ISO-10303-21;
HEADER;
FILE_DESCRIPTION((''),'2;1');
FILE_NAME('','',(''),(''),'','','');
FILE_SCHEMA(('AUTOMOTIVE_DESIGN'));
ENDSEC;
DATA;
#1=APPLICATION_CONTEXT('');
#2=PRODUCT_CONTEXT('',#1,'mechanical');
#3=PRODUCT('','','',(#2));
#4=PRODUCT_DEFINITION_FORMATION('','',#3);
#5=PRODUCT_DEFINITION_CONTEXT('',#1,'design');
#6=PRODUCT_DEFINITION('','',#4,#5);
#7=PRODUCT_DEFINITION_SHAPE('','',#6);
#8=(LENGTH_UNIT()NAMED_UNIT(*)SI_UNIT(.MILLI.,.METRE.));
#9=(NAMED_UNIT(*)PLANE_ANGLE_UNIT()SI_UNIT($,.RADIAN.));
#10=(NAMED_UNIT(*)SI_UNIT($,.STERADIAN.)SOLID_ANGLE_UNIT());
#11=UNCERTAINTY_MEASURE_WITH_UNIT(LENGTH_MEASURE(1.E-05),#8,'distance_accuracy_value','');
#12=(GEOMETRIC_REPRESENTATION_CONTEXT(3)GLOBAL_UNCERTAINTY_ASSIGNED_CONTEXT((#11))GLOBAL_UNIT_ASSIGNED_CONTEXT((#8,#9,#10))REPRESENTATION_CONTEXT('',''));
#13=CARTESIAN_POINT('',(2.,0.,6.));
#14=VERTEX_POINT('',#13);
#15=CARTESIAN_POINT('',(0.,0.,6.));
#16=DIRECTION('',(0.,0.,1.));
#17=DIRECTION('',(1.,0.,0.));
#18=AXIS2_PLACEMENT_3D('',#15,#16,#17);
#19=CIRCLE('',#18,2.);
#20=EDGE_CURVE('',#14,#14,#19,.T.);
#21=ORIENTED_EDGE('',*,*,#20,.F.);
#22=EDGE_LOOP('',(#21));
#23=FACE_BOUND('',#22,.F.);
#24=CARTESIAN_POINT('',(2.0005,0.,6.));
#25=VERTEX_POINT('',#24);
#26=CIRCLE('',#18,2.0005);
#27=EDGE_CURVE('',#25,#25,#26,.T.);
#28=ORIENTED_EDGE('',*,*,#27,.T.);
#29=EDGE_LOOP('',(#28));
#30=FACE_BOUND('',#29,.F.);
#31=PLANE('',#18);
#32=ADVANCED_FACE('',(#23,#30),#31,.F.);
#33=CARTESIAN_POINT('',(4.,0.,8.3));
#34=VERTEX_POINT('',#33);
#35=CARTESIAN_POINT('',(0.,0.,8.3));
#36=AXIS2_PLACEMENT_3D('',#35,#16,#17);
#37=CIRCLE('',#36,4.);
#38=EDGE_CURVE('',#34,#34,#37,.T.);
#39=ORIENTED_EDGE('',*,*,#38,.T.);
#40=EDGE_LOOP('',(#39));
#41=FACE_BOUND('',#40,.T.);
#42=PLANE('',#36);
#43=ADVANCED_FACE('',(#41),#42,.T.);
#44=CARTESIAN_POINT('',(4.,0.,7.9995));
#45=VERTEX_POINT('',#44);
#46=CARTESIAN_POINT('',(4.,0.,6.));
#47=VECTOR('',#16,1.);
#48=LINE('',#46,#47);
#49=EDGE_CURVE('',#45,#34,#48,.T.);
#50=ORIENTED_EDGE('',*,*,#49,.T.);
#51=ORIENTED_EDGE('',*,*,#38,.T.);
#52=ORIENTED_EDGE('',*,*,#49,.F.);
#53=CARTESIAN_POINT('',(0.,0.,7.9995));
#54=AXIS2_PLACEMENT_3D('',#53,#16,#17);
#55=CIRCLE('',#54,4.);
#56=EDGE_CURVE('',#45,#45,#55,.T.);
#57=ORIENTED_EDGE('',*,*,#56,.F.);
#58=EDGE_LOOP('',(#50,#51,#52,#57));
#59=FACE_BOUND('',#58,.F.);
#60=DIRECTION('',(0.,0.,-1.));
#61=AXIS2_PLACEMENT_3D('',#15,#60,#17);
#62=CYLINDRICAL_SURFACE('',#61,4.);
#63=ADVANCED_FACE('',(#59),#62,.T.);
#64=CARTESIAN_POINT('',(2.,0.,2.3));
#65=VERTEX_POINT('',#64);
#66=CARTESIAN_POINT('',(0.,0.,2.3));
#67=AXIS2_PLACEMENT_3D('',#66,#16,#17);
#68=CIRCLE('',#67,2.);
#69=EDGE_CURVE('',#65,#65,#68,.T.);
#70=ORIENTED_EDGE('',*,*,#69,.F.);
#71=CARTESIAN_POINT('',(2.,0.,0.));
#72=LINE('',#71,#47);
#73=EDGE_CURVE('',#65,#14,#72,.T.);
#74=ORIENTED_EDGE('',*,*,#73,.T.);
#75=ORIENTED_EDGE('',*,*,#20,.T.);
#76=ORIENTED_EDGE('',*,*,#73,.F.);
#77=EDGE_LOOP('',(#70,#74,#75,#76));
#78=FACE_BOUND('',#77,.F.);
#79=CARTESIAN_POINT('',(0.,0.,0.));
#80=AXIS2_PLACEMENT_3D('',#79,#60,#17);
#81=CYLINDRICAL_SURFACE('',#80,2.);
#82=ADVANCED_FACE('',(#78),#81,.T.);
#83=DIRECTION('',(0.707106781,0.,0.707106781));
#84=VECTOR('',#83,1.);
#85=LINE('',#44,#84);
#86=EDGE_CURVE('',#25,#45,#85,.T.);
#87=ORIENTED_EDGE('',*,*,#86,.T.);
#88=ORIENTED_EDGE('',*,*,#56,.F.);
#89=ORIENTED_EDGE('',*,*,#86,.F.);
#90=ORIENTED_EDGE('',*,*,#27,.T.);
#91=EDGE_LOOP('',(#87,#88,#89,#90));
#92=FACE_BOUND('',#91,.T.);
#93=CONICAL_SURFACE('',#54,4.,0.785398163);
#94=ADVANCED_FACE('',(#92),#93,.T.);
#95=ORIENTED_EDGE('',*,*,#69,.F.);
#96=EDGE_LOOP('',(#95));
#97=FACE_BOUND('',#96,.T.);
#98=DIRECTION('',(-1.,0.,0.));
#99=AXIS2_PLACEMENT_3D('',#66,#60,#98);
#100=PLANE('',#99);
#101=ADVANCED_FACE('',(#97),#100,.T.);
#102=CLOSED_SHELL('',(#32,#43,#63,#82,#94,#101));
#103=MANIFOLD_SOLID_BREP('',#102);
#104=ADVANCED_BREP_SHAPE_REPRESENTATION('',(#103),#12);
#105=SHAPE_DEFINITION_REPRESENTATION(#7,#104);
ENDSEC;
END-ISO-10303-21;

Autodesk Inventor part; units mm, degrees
ref_plane "YZ Plane" through (0, 0, 0) normal (1, 0, 0) x (0, 1, 0)
ref_plane "XZ Plane" through (0, 0, 0) normal (0, 1, 0) x (-1, 0, 0)
ref_plane "XY Plane" through (0, 0, 0) normal (0, 0, 1) x (1, 0, 0)
sketch "スケッチ1" plane through (0, 0, 0) normal (0, 0, 1) x (1, 0, 0)
  circle A0 centre (0, 0) radius 2
  dimension "d0" = 4
extrude "押し出し1" add sketch "スケッチ1" along normal blind 6
sketch "スケッチ2" plane through (0, 0, 6) normal (0, 0, 1) x (1, 0, 0)
  circle A0 centre (0, 0) radius 2 projected
  circle A1 centre (0, 0) radius 4
  dimension "d3" = 8
extrude "押し出し2" add sketch "スケッチ2" along normal blind 2.3 contours A0 | A1
thread "ねじ1" size "M4x0.7" class "6g" standard "ANSI Metric M Profile" full length
sketch "スケッチ3" plane through (0, 0, 0) normal (0, 0, -1) x (-1, 0, 0)
  circle A0 centre (0, 0) radius 2 projected
extrude "押し出し3" cut sketch "スケッチ3" against normal blind 2.3
chamfer "面取り1" distance 2 angle 45 1 edges at (-4, 0, 6)
properties part number "SB　M4 6mm 皿ネジ" material "Stainless Steel, 440C"
